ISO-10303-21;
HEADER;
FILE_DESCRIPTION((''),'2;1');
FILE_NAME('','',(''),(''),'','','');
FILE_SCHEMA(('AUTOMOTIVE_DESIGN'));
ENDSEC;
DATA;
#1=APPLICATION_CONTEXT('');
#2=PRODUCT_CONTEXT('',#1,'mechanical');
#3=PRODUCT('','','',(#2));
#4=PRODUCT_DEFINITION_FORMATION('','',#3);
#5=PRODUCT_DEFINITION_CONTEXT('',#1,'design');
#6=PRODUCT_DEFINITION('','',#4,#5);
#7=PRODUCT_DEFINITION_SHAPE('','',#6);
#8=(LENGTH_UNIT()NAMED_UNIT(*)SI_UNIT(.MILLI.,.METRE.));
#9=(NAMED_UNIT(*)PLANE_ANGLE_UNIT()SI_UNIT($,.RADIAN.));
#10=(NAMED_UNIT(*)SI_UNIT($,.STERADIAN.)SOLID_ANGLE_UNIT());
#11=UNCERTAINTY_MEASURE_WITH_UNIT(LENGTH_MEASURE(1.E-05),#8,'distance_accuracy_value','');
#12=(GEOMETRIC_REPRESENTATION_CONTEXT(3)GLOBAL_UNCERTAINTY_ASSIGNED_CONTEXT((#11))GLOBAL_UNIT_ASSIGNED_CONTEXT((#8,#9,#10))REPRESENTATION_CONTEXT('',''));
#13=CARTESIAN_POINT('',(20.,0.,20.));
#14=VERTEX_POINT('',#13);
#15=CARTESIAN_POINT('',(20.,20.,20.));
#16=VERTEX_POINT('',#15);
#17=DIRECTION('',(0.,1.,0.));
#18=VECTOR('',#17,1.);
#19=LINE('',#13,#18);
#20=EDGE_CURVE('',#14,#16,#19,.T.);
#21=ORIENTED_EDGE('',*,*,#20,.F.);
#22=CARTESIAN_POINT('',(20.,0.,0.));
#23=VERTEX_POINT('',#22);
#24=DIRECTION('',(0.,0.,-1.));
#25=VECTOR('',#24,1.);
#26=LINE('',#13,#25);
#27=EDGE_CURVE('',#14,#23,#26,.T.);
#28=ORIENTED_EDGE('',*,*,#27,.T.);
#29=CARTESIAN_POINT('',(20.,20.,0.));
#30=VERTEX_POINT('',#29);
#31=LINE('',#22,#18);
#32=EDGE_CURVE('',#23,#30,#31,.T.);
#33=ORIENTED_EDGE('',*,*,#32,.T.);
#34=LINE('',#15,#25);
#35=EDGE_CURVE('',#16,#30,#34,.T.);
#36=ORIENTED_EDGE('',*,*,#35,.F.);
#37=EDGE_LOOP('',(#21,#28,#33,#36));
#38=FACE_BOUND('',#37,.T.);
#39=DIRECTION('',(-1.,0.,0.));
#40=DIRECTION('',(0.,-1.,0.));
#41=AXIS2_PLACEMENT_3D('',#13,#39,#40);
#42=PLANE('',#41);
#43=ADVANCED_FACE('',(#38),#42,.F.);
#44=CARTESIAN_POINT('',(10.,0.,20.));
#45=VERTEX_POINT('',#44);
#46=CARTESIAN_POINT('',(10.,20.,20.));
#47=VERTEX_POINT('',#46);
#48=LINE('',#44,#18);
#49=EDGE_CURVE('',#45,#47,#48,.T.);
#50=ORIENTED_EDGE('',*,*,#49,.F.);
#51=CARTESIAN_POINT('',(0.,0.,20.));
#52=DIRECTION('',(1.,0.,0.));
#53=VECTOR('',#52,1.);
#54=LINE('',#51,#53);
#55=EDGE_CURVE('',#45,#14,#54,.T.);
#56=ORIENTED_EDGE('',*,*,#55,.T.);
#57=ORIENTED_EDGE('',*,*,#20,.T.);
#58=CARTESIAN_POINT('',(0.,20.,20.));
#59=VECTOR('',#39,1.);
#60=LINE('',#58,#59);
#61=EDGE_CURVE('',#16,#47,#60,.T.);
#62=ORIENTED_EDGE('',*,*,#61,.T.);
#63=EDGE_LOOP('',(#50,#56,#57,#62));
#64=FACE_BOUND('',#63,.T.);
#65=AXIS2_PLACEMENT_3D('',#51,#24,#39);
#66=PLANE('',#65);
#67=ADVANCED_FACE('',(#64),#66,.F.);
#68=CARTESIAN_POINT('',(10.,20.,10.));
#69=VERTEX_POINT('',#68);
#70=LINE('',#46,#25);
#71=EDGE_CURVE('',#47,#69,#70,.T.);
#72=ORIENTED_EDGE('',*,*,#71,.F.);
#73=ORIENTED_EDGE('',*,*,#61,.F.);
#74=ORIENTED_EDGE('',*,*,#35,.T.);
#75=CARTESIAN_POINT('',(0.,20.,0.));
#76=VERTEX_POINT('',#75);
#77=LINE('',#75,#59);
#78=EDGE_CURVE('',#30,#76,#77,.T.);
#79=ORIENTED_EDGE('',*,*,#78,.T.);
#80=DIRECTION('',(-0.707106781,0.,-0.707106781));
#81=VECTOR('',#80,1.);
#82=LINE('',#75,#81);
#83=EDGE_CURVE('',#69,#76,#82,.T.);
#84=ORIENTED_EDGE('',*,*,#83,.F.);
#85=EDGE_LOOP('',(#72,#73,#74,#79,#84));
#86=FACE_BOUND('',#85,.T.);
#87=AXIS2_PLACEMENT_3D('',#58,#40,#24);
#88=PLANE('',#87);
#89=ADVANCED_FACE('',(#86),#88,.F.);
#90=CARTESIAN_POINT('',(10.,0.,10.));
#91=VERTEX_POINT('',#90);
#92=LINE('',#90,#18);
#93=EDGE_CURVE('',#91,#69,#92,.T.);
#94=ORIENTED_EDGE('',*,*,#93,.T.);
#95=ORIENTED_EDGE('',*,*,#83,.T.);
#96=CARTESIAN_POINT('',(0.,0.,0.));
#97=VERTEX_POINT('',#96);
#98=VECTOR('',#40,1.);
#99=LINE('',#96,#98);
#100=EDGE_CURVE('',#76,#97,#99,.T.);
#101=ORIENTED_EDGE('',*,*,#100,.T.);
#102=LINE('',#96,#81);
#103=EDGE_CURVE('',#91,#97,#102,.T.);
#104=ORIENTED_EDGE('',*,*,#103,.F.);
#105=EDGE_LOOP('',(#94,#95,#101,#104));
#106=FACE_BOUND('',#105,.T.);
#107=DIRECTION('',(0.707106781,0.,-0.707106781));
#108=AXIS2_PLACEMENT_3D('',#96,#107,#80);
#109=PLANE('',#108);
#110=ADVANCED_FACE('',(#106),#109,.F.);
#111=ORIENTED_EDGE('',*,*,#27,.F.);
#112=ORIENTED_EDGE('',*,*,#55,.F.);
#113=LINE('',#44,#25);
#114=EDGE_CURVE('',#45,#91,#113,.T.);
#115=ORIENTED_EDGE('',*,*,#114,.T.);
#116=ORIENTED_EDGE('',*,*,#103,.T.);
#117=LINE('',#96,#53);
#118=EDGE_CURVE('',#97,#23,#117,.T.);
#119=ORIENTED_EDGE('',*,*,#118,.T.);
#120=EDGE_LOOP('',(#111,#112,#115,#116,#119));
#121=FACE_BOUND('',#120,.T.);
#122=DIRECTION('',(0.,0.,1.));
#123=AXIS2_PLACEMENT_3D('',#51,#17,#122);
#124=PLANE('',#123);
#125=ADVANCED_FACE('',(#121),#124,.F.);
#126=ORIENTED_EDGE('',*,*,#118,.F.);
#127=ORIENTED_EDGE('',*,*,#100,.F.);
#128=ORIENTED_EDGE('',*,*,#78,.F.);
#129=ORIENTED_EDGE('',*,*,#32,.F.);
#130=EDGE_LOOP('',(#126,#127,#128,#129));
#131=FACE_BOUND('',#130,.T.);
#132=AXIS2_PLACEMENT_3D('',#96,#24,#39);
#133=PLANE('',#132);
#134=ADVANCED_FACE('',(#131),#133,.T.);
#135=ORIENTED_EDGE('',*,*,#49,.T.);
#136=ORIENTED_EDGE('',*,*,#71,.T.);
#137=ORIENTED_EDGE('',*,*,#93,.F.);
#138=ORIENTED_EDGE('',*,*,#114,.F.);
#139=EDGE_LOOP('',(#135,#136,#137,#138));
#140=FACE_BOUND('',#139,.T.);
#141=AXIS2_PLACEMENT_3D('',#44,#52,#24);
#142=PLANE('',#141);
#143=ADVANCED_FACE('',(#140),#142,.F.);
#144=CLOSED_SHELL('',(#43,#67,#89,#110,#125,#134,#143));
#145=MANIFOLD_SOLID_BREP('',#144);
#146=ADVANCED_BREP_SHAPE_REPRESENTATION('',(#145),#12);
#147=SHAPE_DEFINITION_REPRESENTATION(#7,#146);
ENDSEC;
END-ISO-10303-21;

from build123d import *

# Parameters (mm, degrees)
SKETCH1_W           = 20
SKETCH1_H           = 20
BOSS_EXTRUDE1_DEPTH = 20
SKETCH2_W           = 10
SKETCH2_H           = 10
CUT_EXTRUDE1_DEPTH  = 20
CUT_EXTRUDE2_DEPTH  = 20


with BuildPart() as part:
    # Sketch1 → Boss-Extrude1 (new body)
    with BuildSketch(Plane.XY):
        with Locations((10, 10)):
            Rectangle(SKETCH1_W, SKETCH1_H)
    extrude(amount=BOSS_EXTRUDE1_DEPTH)

    # Sketch2 → Cut-Extrude1 (cut)
    with BuildSketch(Plane(origin=(0, 20, 0), x_dir=(1, 0, 0), z_dir=(0, 1, 0))):
        with Locations((5, -15)):
            Rectangle(SKETCH2_W, SKETCH2_H)
    extrude(amount=-CUT_EXTRUDE1_DEPTH, mode=Mode.SUBTRACT)

    # Sketch3 → Cut-Extrude2 (cut)
    with BuildSketch(Plane(origin=(0, 20, 0), x_dir=(1, 0, 0), z_dir=(0, 1, 0))):
        Polygon((0, 0), (10, -10), (0, -10), align=None)
    extrude(amount=-CUT_EXTRUDE2_DEPTH, mode=Mode.SUBTRACT)


solid = part.part
